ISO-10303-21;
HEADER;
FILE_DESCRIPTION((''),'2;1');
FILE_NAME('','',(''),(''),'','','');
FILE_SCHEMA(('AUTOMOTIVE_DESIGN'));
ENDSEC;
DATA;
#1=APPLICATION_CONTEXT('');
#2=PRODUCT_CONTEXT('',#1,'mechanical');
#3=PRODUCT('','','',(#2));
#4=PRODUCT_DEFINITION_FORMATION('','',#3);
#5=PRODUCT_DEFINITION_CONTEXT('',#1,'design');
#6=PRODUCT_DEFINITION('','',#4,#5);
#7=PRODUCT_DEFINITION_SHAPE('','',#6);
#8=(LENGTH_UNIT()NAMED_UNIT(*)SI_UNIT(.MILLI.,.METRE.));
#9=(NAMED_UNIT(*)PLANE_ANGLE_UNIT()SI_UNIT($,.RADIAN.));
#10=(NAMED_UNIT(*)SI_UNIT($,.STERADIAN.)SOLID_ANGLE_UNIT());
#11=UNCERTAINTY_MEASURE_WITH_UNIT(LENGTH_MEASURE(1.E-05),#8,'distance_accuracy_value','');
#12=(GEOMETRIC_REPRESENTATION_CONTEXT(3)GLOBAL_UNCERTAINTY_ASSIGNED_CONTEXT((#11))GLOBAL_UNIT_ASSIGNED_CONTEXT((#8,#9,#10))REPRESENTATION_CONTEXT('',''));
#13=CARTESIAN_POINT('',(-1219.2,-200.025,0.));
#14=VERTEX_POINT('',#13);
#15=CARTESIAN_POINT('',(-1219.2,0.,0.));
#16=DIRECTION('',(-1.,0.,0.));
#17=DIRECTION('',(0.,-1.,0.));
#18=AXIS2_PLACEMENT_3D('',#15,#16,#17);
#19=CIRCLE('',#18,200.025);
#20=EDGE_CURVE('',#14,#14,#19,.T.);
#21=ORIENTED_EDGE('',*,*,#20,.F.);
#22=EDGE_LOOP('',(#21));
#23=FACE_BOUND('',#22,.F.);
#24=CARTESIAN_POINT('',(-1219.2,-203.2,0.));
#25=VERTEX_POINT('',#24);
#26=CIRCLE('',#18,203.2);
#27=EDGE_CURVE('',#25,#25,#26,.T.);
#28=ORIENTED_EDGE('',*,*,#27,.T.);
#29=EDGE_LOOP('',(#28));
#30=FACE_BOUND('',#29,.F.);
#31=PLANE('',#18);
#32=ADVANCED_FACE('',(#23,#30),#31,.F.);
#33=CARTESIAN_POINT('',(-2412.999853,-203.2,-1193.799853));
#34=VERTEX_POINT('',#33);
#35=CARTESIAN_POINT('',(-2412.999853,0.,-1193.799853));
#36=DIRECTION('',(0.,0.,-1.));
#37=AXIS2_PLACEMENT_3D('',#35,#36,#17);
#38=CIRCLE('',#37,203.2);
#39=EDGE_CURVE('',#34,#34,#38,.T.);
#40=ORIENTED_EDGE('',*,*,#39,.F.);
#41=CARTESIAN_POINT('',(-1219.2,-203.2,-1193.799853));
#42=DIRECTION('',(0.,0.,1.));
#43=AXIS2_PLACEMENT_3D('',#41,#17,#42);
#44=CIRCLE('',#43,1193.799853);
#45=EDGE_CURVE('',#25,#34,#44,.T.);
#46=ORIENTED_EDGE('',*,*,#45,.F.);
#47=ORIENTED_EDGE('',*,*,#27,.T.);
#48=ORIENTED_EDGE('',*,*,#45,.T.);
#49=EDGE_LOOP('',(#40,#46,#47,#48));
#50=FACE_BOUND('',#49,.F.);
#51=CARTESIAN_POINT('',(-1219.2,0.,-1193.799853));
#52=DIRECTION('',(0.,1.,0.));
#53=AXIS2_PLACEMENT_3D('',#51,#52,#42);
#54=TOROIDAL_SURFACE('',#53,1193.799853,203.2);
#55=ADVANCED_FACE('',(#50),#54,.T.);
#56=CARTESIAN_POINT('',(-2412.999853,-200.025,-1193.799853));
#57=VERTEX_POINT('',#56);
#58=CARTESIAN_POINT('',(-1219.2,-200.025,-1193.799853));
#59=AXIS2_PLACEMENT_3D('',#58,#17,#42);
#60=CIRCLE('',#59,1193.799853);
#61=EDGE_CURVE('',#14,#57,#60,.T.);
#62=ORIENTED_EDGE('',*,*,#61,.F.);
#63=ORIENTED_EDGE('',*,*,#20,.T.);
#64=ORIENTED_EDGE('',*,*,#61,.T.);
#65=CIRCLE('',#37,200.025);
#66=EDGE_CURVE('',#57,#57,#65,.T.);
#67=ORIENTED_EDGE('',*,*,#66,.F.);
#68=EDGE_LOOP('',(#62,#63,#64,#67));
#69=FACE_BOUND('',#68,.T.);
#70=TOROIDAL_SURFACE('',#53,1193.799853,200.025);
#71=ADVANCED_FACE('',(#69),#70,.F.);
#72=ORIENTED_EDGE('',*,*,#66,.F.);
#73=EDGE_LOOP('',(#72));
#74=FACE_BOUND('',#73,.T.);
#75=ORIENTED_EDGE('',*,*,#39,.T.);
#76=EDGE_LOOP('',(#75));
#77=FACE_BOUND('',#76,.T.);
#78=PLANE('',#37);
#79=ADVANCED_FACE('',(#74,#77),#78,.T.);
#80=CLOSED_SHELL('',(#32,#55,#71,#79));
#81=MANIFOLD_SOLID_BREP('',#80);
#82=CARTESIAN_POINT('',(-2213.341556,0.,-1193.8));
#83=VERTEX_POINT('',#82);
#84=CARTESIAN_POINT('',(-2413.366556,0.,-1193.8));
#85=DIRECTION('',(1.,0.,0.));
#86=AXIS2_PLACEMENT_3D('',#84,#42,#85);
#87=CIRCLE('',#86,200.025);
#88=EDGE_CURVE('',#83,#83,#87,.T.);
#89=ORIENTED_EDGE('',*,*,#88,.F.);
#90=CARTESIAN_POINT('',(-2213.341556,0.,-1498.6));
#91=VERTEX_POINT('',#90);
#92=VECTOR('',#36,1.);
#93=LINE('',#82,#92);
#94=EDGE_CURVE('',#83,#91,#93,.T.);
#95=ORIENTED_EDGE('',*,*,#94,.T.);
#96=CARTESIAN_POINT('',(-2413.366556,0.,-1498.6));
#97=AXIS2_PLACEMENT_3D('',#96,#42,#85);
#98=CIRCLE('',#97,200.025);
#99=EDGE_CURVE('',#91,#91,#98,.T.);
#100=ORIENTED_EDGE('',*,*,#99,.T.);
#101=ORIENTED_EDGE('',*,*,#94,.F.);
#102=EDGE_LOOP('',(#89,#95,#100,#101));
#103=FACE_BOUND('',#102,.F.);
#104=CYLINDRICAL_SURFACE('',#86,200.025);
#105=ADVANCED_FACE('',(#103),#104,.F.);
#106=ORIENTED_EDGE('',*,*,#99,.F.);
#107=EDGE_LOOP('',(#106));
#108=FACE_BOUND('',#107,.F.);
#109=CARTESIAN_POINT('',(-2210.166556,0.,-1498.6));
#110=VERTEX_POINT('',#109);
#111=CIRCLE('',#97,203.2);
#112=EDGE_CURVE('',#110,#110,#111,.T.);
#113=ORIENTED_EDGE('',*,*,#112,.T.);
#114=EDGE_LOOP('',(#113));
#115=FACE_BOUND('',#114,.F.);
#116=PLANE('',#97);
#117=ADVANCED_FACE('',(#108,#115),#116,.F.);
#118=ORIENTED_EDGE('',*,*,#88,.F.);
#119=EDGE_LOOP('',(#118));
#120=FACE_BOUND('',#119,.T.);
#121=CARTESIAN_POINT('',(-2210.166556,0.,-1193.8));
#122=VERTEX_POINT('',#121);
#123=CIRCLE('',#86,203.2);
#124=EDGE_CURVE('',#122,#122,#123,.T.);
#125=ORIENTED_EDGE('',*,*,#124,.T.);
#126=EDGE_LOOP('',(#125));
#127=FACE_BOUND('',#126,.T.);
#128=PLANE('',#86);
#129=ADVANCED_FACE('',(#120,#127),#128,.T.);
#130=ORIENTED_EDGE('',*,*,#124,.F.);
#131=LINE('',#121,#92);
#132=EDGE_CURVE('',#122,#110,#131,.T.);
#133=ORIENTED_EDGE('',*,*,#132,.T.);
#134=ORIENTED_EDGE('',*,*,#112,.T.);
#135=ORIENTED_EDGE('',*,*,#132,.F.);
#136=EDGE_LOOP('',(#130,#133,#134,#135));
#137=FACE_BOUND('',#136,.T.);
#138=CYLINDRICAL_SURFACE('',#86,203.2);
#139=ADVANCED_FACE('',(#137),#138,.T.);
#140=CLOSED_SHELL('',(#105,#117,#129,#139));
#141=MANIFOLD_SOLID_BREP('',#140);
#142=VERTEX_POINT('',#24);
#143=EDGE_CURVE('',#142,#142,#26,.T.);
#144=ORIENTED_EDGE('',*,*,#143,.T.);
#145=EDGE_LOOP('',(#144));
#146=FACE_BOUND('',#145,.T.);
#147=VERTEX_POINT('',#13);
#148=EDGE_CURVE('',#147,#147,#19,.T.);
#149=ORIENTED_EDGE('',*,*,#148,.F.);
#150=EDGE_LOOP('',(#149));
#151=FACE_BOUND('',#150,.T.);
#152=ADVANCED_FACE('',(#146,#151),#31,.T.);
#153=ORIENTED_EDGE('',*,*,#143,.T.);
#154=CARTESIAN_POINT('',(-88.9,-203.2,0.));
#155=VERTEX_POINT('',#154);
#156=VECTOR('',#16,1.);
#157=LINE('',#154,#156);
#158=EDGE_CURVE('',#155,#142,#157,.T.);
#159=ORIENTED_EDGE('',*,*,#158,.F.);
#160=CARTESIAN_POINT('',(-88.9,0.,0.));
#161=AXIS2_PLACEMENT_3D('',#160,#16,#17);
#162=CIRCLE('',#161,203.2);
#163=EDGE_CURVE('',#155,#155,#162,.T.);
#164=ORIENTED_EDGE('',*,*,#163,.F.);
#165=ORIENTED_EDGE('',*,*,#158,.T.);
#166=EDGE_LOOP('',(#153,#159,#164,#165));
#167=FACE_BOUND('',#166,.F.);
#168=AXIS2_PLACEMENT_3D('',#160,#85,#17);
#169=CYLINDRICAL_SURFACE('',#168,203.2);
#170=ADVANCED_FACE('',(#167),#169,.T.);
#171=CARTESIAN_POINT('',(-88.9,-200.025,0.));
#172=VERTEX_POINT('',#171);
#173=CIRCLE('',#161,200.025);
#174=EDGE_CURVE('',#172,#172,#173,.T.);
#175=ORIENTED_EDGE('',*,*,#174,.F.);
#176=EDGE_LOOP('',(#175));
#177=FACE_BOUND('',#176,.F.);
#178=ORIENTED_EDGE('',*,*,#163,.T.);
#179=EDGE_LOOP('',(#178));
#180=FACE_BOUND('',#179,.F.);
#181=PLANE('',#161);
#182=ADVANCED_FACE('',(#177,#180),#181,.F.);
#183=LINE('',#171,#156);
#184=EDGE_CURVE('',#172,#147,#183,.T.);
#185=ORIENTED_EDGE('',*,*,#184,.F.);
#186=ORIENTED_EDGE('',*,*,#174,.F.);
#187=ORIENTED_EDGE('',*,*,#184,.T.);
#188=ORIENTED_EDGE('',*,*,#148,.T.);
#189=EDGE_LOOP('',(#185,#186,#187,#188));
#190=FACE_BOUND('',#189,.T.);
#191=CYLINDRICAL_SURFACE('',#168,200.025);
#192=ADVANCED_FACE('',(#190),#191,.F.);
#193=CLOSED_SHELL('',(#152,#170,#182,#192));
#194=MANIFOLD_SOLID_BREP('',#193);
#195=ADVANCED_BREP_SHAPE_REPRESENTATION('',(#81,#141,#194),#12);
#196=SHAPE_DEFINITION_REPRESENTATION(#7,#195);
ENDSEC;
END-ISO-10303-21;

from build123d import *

# Parameters (mm, degrees)
F4_R      = 203.2
F4_R_2    = 200.025
F5_DEPTH  = 1130.3
F6_R      = 200.025
F7_ANGLE  = 90
F9_DEPTH  = 304.8
F6_R_2    = 203.2
F11_ANGLE = 90
F8_R      = 203.2
F8_R_2    = 200.025
F13_DEPTH = 304.8


with BuildPart() as f5:
    # F4 (on line) → F5 (new body)
    with BuildSketch(Plane(origin=(-88.9, 0, 0), x_dir=(0, -1, 0), z_dir=(-1, 0, 0))):
        Circle(F4_R)
        Circle(F4_R_2, mode=Mode.SUBTRACT)
    extrude(amount=F5_DEPTH)


with BuildPart() as f7:
    # F6 (on line) → F7 (revolve)
    with BuildSketch(Plane(origin=(-1219.2, 0, 0), x_dir=(0, -1, 0), z_dir=(-1, 0, 0))):
        Circle(F6_R)
    revolve(axis=Axis((-1219.2, -101.6, -1193.7998533249), (0, -1, 0)), revolution_arc=F7_ANGLE)


with BuildPart() as f9:
    # F9 (new): a face of the model
    f9_faces = [f7.part.faces().sort_by_distance(p)[0] for p in [
        (-2412.9998533249, 0, -1193.7998533249),
    ]]
    extrude(f9_faces, amount=F9_DEPTH)


with BuildPart() as f11:
    # F6 (on line) → F11 (revolve)
    with BuildSketch(Plane(origin=(-1219.2, 0, 0), x_dir=(0, -1, 0), z_dir=(-1, 0, 0))):
        Circle(F6_R_2)
        Circle(F6_R, mode=Mode.SUBTRACT)
    revolve(axis=Axis((-1219.2, -101.6, -1193.7998533249), (0, -1, 0)), revolution_arc=F11_ANGLE)


with BuildPart() as f13:
    # F8 (on line) → F13 (new body)
    with BuildSketch(Plane.XY.offset(-1193.8)):
        with Locations((-2413.3665561676, 0)):
            Circle(F8_R)
        with Locations((-2413.3665561676, 0)):
            Circle(F8_R_2, mode=Mode.SUBTRACT)
    extrude(amount=-F13_DEPTH)


solid = Compound([f5.part, f11.part, f13.part])
